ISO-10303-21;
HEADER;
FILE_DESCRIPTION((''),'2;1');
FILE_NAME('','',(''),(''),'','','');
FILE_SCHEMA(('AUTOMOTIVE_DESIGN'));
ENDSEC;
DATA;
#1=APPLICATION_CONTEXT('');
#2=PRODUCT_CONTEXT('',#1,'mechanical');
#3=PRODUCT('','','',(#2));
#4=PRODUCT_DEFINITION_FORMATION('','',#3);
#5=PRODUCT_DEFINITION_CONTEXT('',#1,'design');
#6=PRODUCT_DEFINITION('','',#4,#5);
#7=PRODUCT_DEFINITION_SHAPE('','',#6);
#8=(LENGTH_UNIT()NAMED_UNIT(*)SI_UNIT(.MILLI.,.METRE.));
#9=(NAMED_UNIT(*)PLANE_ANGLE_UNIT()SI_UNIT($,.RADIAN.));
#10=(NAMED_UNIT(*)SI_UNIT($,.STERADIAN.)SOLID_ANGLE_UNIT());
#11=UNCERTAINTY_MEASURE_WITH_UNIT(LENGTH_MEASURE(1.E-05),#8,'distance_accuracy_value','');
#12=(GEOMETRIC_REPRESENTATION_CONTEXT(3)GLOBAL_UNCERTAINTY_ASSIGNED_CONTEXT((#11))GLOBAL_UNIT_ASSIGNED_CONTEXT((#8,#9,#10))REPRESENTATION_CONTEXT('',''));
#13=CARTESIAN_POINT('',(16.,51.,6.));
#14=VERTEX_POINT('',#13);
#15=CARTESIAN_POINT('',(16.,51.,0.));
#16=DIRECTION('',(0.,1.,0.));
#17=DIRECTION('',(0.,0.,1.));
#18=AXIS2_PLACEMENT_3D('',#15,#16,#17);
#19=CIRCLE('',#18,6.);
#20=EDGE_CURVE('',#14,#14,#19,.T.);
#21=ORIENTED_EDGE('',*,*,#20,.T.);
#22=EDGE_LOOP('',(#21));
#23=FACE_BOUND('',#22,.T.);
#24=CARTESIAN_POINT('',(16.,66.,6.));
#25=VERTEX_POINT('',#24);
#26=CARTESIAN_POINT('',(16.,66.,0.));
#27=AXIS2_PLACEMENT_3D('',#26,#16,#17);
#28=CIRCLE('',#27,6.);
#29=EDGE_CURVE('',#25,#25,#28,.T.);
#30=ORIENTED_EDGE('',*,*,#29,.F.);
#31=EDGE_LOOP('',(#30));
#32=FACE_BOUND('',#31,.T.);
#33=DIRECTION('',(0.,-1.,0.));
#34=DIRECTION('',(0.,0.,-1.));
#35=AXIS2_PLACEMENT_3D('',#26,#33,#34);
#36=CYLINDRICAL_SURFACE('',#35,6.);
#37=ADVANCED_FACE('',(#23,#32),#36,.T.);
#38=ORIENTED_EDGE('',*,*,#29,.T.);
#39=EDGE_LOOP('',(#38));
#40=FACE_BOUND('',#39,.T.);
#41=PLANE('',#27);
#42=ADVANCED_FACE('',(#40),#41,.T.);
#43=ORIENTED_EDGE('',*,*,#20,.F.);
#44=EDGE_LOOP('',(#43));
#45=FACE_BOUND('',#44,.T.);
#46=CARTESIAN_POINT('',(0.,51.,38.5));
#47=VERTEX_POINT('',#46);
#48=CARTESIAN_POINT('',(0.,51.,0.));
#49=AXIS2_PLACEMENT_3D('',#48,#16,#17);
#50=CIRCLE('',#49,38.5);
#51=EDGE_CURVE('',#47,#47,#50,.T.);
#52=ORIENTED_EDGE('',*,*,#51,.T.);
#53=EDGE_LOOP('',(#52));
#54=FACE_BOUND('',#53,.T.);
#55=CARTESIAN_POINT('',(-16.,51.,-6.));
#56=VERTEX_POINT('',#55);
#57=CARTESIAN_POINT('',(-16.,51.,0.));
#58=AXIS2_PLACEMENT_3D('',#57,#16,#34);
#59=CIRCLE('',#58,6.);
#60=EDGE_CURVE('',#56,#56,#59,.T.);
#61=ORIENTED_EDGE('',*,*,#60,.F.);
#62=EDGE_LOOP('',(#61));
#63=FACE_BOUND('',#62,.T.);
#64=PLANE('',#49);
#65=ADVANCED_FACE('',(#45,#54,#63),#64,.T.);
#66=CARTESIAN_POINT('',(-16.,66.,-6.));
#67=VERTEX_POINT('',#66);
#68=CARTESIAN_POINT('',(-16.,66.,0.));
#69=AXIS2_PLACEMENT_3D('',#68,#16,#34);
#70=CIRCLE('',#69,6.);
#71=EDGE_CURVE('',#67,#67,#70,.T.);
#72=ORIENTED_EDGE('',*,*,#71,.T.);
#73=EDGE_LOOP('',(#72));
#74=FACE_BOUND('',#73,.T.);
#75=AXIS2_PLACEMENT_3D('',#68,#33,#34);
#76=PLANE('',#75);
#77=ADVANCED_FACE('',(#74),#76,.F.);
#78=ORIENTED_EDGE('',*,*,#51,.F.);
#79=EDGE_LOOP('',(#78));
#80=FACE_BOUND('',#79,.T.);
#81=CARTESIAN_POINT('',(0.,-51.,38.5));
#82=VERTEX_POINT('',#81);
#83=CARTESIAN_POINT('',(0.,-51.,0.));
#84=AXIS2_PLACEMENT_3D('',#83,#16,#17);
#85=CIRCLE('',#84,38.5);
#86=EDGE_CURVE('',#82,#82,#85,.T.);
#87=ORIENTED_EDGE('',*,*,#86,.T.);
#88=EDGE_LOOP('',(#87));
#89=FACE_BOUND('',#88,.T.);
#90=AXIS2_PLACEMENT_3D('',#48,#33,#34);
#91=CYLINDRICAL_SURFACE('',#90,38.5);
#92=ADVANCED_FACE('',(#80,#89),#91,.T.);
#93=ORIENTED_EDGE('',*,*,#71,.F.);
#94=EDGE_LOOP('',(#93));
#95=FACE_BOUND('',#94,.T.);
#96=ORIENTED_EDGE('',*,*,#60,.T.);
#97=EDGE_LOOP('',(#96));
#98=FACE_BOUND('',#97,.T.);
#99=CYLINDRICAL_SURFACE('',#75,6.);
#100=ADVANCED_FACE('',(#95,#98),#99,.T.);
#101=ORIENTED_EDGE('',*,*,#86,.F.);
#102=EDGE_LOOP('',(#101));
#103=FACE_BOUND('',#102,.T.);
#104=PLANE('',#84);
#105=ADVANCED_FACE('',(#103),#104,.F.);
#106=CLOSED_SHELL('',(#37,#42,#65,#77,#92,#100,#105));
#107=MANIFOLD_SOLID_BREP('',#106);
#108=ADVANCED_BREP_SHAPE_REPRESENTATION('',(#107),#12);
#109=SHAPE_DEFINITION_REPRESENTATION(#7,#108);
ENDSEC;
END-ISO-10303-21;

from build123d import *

# Parameters (mm, degrees)
SKETCH_1_R      = 38.5
EXTRUDE_1_DEPTH = 51
SKETCH_2_R      = 6
EXTRUDE_2_DEPTH = 15


with BuildPart() as part:
    # 草图1 → 凸台-拉伸1 (new, symmetric)
    with BuildSketch(Plane(origin=(0, 0, 0), x_dir=(1, 0, 0), z_dir=(0, 1, 0))):
        with Locations(Location((0, 0, 0), (0, 0, 270))):
            Circle(SKETCH_1_R)
    extrude(amount=EXTRUDE_1_DEPTH, both=True)

    # 草图2 → 凸台-拉伸2 (add)
    with BuildSketch(Plane(origin=(0, 51, 0), x_dir=(1, 0, 0), z_dir=(0, 1, 0))):
        with Locations(Location((16, 0, 0), (0, 0, 270))):
            Circle(SKETCH_2_R)
        with Locations(Location((-16, 0, 0), (0, 0, 90))):
            Circle(SKETCH_2_R)
    extrude(amount=EXTRUDE_2_DEPTH)


solid = part.part
